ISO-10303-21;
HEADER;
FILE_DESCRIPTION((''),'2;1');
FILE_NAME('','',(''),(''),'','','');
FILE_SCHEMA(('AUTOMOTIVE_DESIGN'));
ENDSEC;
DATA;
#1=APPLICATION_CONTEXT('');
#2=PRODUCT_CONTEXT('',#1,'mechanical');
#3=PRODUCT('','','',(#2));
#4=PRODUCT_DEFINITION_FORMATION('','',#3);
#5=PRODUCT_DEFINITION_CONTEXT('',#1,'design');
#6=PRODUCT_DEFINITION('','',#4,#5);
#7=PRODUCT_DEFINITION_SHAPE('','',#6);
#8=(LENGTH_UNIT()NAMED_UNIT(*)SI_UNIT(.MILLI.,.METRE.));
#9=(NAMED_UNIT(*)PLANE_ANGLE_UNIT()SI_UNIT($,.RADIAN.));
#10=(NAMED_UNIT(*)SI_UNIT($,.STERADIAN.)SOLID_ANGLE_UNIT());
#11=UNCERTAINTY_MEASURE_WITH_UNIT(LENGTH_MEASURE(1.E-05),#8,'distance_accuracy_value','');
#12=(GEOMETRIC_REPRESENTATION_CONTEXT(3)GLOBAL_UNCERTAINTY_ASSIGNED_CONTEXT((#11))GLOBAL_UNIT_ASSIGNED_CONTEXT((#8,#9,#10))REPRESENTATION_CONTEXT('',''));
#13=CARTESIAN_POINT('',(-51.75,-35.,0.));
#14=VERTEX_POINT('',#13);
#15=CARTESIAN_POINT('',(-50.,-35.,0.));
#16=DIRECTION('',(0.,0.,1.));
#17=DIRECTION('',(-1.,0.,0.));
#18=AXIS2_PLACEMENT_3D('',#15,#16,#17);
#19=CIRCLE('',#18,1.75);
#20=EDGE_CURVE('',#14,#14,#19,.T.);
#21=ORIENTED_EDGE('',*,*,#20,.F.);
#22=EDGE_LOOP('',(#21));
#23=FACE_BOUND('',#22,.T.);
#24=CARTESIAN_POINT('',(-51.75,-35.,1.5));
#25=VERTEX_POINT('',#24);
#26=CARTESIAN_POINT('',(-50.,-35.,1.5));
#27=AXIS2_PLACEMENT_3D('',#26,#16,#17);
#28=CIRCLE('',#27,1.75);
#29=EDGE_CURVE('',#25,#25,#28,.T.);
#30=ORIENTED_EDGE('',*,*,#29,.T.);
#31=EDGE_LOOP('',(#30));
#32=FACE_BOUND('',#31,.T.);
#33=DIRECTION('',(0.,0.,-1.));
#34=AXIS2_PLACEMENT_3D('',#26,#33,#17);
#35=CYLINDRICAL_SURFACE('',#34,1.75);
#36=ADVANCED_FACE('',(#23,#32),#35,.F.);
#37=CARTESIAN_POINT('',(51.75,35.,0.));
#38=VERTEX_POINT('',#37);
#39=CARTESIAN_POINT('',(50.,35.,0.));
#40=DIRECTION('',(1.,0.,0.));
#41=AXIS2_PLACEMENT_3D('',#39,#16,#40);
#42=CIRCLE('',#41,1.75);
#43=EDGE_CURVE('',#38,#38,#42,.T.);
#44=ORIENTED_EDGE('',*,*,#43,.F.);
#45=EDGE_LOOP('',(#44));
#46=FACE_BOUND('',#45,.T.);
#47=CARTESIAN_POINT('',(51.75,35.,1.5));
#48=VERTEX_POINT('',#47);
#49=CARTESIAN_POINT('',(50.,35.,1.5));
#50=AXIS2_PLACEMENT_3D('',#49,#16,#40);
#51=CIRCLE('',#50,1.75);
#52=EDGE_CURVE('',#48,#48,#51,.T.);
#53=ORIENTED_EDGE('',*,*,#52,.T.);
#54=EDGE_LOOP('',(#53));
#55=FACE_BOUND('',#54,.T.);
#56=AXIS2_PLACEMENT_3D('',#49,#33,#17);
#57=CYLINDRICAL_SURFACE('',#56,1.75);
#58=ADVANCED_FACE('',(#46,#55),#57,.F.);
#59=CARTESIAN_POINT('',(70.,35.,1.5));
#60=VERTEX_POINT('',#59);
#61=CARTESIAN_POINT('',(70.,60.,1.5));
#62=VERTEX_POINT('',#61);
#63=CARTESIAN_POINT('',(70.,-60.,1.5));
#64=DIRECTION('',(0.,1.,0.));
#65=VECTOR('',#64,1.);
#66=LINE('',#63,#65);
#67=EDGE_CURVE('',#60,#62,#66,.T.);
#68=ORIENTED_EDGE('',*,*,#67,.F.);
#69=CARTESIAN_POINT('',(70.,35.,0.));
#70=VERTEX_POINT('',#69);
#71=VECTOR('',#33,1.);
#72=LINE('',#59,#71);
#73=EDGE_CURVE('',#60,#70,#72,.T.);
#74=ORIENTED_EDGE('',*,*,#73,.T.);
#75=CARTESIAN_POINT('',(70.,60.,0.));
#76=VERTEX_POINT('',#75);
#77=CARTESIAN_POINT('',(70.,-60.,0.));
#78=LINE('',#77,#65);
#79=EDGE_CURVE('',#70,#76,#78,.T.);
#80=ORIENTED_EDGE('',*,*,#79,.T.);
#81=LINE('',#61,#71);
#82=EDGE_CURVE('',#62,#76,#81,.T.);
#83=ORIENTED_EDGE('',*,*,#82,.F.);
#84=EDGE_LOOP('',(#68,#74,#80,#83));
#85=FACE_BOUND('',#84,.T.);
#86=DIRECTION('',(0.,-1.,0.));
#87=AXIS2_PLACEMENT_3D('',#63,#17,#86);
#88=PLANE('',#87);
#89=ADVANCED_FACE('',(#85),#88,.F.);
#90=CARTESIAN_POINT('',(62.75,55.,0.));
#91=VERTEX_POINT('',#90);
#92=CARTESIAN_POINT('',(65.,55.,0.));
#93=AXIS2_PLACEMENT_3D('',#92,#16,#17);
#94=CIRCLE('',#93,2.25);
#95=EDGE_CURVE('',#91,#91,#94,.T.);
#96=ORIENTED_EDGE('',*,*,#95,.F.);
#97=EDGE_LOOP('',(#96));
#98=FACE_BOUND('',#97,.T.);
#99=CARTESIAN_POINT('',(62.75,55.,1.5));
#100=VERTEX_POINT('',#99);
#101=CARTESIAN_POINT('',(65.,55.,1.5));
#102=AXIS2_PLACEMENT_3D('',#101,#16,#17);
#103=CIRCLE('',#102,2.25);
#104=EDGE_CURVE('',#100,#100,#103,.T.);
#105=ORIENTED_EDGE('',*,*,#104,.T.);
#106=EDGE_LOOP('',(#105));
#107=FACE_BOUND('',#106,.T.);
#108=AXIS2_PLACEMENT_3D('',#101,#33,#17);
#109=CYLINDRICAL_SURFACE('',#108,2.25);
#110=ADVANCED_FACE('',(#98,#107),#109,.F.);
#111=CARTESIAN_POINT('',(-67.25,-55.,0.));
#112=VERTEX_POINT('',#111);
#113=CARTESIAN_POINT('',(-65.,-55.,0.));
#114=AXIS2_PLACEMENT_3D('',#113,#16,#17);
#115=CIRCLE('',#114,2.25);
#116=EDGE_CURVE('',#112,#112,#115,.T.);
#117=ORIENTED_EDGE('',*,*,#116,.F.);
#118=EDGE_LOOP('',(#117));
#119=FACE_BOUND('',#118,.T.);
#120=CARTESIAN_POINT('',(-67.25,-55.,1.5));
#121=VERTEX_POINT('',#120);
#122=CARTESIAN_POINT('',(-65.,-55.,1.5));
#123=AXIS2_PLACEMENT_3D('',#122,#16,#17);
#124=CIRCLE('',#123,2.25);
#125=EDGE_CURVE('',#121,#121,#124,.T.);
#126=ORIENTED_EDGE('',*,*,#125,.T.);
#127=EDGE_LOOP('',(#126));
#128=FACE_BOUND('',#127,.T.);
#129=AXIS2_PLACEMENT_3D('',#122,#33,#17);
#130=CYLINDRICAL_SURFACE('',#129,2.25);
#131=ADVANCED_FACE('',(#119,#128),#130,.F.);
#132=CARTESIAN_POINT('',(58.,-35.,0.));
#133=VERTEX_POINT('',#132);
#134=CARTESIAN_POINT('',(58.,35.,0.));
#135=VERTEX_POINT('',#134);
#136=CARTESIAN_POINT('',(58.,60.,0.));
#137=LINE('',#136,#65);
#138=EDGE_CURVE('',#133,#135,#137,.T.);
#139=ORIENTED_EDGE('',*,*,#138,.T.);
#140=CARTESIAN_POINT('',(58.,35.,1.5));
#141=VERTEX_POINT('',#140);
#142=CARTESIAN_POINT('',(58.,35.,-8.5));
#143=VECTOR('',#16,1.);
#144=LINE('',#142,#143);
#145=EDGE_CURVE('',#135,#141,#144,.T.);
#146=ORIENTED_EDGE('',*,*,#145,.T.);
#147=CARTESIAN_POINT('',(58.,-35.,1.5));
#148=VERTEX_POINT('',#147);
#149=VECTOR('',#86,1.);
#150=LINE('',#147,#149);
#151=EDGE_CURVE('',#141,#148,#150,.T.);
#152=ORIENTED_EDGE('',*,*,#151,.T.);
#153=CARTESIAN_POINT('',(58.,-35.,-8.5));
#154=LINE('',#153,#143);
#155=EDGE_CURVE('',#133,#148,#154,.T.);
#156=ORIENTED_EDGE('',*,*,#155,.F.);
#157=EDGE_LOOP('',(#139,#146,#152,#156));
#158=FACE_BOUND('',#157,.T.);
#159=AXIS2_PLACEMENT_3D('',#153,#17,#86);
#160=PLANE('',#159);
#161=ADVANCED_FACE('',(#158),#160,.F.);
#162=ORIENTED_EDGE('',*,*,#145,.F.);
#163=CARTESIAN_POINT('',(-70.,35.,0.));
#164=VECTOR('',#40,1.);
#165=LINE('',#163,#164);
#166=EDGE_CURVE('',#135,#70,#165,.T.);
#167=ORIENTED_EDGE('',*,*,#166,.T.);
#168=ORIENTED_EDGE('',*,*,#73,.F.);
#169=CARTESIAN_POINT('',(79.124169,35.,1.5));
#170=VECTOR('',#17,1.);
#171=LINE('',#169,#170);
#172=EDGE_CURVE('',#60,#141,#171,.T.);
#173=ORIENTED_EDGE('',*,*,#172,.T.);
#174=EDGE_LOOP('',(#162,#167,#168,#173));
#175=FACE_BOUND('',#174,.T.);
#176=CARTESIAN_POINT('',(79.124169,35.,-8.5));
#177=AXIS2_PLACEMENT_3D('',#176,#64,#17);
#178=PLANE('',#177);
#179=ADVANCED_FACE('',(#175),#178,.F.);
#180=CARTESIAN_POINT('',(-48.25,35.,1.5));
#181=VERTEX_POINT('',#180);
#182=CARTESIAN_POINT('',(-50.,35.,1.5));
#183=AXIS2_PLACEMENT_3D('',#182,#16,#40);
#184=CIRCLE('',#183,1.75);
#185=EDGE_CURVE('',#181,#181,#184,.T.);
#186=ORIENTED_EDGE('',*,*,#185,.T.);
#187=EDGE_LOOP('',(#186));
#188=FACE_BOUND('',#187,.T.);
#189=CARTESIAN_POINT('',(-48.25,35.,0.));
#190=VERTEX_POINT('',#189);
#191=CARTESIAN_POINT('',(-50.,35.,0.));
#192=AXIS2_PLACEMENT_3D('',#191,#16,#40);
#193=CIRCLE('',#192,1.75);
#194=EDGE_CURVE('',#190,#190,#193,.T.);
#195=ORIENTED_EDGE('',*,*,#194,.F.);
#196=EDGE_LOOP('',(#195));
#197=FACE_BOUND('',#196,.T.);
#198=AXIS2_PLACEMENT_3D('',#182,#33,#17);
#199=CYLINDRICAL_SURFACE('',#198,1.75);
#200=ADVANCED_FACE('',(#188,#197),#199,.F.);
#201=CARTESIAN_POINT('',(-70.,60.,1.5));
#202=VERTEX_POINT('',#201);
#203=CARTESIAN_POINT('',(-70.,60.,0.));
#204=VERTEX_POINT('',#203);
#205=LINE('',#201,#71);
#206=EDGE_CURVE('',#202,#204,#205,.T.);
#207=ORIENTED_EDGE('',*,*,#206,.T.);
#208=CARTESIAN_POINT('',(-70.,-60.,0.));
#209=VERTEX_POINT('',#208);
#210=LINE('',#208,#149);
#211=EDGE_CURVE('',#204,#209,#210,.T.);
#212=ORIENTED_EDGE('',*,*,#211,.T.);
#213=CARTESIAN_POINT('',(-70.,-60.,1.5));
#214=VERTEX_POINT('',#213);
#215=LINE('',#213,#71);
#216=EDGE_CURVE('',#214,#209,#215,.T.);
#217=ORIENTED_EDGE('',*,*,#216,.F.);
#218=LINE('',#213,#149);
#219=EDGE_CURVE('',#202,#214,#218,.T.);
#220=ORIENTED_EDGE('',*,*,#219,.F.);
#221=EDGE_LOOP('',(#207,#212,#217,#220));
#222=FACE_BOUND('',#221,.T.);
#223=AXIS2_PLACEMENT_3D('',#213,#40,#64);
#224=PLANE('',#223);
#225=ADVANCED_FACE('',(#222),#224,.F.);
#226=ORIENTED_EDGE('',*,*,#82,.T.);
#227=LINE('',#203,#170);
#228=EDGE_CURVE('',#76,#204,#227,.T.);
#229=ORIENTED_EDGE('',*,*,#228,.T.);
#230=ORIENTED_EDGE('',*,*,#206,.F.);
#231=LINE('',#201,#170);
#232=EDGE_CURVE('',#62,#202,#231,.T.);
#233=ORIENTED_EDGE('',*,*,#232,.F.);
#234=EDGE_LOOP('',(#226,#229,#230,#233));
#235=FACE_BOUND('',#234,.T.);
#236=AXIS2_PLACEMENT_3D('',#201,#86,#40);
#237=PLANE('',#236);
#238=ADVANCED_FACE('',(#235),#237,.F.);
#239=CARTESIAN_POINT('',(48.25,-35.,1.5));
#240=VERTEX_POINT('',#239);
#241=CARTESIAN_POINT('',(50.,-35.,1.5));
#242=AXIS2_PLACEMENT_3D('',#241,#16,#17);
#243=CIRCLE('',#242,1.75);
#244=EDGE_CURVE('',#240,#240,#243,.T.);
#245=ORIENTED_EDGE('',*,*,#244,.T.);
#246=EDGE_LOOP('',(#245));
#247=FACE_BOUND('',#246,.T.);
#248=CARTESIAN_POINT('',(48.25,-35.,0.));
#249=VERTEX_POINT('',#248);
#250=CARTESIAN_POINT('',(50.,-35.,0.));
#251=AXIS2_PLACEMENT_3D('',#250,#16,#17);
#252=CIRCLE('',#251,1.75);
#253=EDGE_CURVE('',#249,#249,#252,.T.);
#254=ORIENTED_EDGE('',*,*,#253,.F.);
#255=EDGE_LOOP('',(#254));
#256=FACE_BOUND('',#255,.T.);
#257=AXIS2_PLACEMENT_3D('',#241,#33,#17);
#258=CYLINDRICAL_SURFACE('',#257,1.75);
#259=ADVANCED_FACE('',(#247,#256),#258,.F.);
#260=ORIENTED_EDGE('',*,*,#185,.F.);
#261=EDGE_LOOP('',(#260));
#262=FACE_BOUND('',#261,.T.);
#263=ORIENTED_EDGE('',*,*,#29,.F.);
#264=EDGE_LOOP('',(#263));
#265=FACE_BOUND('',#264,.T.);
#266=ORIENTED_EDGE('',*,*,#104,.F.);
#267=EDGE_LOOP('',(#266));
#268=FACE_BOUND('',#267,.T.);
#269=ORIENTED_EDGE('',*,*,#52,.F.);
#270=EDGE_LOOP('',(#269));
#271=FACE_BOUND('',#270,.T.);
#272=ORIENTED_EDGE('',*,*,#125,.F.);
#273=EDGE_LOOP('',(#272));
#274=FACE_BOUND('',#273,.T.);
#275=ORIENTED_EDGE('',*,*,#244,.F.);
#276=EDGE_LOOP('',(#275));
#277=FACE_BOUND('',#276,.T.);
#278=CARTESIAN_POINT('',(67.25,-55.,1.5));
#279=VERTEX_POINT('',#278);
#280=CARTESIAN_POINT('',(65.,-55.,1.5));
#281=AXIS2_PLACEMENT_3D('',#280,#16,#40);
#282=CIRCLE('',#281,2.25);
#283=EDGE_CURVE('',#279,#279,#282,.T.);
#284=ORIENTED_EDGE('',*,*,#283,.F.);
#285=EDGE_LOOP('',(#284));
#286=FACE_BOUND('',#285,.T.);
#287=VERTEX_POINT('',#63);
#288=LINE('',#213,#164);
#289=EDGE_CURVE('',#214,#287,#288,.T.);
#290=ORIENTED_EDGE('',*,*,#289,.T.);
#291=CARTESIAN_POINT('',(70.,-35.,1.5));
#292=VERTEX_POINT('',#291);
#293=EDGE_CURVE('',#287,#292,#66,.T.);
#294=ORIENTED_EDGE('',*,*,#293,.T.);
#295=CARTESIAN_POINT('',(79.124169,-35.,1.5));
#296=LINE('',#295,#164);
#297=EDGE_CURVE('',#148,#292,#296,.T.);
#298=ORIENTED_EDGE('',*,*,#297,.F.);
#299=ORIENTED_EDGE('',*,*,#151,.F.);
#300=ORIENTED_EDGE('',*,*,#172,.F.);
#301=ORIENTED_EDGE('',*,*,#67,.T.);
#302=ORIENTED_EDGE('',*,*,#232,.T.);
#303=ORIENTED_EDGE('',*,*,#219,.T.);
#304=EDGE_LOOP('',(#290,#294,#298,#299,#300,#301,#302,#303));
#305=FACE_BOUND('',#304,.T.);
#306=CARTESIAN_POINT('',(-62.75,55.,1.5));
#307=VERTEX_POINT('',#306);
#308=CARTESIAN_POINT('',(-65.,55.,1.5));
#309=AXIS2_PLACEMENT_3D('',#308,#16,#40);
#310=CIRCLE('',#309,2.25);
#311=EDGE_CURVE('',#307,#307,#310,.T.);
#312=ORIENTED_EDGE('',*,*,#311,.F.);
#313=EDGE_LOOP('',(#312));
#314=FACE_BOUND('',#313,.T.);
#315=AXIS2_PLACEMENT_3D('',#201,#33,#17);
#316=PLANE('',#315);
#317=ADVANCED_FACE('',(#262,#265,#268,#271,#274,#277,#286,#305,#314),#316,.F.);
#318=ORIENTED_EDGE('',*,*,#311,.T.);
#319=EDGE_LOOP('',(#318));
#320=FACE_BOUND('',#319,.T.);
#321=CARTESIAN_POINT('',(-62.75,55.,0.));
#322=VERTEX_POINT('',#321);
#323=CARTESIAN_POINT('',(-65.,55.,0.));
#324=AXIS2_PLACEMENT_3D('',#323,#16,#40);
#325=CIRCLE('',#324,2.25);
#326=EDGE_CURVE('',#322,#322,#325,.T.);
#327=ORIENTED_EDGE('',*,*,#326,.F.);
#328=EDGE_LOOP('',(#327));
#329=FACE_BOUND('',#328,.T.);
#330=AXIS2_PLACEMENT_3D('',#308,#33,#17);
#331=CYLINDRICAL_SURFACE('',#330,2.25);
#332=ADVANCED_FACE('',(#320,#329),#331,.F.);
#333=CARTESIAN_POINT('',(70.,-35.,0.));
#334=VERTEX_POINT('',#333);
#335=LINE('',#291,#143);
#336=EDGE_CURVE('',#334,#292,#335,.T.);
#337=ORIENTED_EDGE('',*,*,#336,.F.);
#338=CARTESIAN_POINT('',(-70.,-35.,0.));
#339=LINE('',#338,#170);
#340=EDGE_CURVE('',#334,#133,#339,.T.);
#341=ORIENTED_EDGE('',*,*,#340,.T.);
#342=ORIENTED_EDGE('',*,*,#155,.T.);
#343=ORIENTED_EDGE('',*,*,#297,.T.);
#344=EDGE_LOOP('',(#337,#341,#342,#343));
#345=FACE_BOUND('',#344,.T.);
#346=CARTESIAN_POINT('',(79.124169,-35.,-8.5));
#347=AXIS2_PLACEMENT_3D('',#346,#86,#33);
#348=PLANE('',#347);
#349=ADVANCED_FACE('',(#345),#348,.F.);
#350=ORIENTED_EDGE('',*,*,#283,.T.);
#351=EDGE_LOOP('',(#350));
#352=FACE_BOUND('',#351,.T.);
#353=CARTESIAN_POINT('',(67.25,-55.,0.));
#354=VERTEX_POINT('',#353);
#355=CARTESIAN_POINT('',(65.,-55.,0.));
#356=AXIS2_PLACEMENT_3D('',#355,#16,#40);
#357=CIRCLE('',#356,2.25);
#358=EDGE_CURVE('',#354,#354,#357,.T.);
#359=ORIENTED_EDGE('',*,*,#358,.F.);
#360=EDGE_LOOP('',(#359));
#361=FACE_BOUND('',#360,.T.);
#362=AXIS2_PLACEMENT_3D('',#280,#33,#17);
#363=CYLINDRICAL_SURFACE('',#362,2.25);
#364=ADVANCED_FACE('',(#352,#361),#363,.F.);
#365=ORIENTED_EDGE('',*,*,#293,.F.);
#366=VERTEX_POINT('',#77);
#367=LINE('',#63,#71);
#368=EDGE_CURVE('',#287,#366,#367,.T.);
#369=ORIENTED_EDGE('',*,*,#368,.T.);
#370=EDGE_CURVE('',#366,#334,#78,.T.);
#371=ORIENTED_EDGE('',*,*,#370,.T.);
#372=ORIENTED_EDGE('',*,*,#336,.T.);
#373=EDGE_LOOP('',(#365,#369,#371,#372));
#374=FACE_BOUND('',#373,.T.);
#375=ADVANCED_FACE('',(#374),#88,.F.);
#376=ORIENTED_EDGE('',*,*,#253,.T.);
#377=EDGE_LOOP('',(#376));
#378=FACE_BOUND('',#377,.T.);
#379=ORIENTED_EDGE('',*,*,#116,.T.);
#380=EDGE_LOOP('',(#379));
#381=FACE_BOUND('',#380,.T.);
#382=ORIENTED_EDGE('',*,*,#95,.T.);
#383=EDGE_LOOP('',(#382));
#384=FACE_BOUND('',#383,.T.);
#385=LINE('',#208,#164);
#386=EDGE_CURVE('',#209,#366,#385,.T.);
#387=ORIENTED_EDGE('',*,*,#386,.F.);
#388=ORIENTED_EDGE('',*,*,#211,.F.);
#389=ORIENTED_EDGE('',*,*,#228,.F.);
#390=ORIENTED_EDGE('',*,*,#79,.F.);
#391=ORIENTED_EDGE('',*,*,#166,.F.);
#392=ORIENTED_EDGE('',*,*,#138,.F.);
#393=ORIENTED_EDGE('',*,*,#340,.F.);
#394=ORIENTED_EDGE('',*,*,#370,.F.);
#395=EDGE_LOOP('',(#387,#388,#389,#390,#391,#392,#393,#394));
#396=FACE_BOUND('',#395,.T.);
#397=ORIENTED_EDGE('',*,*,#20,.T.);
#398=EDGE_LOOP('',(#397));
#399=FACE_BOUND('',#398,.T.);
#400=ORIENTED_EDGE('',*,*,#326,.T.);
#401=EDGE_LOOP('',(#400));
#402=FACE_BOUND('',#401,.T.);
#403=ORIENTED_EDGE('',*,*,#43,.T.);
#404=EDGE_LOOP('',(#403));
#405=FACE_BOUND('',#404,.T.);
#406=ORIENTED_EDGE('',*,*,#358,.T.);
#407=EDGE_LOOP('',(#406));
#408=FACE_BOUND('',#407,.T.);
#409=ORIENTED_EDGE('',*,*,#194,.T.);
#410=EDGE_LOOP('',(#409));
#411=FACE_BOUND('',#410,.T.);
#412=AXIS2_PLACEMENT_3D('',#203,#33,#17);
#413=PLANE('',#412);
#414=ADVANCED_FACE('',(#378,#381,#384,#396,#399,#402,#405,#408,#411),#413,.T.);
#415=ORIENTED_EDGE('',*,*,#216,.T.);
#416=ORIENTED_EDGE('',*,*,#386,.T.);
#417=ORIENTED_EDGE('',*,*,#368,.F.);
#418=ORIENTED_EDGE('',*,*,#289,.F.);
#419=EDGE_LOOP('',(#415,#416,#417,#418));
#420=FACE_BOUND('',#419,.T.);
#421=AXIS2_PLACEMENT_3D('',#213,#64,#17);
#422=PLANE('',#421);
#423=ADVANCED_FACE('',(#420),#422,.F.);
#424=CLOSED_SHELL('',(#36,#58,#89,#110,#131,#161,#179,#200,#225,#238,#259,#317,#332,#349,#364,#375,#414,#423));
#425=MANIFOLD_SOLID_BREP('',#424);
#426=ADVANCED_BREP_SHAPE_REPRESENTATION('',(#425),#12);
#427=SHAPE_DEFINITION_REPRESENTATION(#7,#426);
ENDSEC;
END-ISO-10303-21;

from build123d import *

# Parameters (mm, degrees)
SKETCH_1_W          = 140
SKETCH_1_H          = 120
SKETCH_1_R          = 2.25
SKETCH_1_R_2        = 1.75
EXTRUDE_1_DEPTH     = 1.5
SKETCH_2_W          = 21.124168751
SKETCH_2_H          = 70
CUT_EXTRUDE_1_DEPTH = 10


with BuildPart() as part:
    # Эскиз1 → Вытянуть1 (new body)
    with BuildSketch(Plane.XY):
        Rectangle(SKETCH_1_W, SKETCH_1_H)
        with Locations((-65, 55)):
            Circle(SKETCH_1_R, mode=Mode.SUBTRACT)
        with Locations(Location((-65, -55, 0), (0, 0, 180))):
            Circle(SKETCH_1_R, mode=Mode.SUBTRACT)
        with Locations((65, -55)):
            Circle(SKETCH_1_R, mode=Mode.SUBTRACT)
        with Locations(Location((65, 55, 0), (0, 0, 180))):
            Circle(SKETCH_1_R, mode=Mode.SUBTRACT)
        with Locations((-50, 35)):
            Circle(SKETCH_1_R_2, mode=Mode.SUBTRACT)
        with Locations(Location((-50, -35, 0), (0, 0, 180))):
            Circle(SKETCH_1_R_2, mode=Mode.SUBTRACT)
        with Locations((50, 35)):
            Circle(SKETCH_1_R_2, mode=Mode.SUBTRACT)
        with Locations(Location((50, -35, 0), (0, 0, 180))):
            Circle(SKETCH_1_R_2, mode=Mode.SUBTRACT)
    extrude(amount=EXTRUDE_1_DEPTH)

    # Эскиз2 → Вырез-Вытянуть1 (cut)
    with BuildSketch(Plane.XY.offset(1.5)):
        with Locations((68.562084376, 0)):
            Rectangle(SKETCH_2_W, SKETCH_2_H)
    extrude(amount=-CUT_EXTRUDE_1_DEPTH, mode=Mode.SUBTRACT)


solid = part.part
